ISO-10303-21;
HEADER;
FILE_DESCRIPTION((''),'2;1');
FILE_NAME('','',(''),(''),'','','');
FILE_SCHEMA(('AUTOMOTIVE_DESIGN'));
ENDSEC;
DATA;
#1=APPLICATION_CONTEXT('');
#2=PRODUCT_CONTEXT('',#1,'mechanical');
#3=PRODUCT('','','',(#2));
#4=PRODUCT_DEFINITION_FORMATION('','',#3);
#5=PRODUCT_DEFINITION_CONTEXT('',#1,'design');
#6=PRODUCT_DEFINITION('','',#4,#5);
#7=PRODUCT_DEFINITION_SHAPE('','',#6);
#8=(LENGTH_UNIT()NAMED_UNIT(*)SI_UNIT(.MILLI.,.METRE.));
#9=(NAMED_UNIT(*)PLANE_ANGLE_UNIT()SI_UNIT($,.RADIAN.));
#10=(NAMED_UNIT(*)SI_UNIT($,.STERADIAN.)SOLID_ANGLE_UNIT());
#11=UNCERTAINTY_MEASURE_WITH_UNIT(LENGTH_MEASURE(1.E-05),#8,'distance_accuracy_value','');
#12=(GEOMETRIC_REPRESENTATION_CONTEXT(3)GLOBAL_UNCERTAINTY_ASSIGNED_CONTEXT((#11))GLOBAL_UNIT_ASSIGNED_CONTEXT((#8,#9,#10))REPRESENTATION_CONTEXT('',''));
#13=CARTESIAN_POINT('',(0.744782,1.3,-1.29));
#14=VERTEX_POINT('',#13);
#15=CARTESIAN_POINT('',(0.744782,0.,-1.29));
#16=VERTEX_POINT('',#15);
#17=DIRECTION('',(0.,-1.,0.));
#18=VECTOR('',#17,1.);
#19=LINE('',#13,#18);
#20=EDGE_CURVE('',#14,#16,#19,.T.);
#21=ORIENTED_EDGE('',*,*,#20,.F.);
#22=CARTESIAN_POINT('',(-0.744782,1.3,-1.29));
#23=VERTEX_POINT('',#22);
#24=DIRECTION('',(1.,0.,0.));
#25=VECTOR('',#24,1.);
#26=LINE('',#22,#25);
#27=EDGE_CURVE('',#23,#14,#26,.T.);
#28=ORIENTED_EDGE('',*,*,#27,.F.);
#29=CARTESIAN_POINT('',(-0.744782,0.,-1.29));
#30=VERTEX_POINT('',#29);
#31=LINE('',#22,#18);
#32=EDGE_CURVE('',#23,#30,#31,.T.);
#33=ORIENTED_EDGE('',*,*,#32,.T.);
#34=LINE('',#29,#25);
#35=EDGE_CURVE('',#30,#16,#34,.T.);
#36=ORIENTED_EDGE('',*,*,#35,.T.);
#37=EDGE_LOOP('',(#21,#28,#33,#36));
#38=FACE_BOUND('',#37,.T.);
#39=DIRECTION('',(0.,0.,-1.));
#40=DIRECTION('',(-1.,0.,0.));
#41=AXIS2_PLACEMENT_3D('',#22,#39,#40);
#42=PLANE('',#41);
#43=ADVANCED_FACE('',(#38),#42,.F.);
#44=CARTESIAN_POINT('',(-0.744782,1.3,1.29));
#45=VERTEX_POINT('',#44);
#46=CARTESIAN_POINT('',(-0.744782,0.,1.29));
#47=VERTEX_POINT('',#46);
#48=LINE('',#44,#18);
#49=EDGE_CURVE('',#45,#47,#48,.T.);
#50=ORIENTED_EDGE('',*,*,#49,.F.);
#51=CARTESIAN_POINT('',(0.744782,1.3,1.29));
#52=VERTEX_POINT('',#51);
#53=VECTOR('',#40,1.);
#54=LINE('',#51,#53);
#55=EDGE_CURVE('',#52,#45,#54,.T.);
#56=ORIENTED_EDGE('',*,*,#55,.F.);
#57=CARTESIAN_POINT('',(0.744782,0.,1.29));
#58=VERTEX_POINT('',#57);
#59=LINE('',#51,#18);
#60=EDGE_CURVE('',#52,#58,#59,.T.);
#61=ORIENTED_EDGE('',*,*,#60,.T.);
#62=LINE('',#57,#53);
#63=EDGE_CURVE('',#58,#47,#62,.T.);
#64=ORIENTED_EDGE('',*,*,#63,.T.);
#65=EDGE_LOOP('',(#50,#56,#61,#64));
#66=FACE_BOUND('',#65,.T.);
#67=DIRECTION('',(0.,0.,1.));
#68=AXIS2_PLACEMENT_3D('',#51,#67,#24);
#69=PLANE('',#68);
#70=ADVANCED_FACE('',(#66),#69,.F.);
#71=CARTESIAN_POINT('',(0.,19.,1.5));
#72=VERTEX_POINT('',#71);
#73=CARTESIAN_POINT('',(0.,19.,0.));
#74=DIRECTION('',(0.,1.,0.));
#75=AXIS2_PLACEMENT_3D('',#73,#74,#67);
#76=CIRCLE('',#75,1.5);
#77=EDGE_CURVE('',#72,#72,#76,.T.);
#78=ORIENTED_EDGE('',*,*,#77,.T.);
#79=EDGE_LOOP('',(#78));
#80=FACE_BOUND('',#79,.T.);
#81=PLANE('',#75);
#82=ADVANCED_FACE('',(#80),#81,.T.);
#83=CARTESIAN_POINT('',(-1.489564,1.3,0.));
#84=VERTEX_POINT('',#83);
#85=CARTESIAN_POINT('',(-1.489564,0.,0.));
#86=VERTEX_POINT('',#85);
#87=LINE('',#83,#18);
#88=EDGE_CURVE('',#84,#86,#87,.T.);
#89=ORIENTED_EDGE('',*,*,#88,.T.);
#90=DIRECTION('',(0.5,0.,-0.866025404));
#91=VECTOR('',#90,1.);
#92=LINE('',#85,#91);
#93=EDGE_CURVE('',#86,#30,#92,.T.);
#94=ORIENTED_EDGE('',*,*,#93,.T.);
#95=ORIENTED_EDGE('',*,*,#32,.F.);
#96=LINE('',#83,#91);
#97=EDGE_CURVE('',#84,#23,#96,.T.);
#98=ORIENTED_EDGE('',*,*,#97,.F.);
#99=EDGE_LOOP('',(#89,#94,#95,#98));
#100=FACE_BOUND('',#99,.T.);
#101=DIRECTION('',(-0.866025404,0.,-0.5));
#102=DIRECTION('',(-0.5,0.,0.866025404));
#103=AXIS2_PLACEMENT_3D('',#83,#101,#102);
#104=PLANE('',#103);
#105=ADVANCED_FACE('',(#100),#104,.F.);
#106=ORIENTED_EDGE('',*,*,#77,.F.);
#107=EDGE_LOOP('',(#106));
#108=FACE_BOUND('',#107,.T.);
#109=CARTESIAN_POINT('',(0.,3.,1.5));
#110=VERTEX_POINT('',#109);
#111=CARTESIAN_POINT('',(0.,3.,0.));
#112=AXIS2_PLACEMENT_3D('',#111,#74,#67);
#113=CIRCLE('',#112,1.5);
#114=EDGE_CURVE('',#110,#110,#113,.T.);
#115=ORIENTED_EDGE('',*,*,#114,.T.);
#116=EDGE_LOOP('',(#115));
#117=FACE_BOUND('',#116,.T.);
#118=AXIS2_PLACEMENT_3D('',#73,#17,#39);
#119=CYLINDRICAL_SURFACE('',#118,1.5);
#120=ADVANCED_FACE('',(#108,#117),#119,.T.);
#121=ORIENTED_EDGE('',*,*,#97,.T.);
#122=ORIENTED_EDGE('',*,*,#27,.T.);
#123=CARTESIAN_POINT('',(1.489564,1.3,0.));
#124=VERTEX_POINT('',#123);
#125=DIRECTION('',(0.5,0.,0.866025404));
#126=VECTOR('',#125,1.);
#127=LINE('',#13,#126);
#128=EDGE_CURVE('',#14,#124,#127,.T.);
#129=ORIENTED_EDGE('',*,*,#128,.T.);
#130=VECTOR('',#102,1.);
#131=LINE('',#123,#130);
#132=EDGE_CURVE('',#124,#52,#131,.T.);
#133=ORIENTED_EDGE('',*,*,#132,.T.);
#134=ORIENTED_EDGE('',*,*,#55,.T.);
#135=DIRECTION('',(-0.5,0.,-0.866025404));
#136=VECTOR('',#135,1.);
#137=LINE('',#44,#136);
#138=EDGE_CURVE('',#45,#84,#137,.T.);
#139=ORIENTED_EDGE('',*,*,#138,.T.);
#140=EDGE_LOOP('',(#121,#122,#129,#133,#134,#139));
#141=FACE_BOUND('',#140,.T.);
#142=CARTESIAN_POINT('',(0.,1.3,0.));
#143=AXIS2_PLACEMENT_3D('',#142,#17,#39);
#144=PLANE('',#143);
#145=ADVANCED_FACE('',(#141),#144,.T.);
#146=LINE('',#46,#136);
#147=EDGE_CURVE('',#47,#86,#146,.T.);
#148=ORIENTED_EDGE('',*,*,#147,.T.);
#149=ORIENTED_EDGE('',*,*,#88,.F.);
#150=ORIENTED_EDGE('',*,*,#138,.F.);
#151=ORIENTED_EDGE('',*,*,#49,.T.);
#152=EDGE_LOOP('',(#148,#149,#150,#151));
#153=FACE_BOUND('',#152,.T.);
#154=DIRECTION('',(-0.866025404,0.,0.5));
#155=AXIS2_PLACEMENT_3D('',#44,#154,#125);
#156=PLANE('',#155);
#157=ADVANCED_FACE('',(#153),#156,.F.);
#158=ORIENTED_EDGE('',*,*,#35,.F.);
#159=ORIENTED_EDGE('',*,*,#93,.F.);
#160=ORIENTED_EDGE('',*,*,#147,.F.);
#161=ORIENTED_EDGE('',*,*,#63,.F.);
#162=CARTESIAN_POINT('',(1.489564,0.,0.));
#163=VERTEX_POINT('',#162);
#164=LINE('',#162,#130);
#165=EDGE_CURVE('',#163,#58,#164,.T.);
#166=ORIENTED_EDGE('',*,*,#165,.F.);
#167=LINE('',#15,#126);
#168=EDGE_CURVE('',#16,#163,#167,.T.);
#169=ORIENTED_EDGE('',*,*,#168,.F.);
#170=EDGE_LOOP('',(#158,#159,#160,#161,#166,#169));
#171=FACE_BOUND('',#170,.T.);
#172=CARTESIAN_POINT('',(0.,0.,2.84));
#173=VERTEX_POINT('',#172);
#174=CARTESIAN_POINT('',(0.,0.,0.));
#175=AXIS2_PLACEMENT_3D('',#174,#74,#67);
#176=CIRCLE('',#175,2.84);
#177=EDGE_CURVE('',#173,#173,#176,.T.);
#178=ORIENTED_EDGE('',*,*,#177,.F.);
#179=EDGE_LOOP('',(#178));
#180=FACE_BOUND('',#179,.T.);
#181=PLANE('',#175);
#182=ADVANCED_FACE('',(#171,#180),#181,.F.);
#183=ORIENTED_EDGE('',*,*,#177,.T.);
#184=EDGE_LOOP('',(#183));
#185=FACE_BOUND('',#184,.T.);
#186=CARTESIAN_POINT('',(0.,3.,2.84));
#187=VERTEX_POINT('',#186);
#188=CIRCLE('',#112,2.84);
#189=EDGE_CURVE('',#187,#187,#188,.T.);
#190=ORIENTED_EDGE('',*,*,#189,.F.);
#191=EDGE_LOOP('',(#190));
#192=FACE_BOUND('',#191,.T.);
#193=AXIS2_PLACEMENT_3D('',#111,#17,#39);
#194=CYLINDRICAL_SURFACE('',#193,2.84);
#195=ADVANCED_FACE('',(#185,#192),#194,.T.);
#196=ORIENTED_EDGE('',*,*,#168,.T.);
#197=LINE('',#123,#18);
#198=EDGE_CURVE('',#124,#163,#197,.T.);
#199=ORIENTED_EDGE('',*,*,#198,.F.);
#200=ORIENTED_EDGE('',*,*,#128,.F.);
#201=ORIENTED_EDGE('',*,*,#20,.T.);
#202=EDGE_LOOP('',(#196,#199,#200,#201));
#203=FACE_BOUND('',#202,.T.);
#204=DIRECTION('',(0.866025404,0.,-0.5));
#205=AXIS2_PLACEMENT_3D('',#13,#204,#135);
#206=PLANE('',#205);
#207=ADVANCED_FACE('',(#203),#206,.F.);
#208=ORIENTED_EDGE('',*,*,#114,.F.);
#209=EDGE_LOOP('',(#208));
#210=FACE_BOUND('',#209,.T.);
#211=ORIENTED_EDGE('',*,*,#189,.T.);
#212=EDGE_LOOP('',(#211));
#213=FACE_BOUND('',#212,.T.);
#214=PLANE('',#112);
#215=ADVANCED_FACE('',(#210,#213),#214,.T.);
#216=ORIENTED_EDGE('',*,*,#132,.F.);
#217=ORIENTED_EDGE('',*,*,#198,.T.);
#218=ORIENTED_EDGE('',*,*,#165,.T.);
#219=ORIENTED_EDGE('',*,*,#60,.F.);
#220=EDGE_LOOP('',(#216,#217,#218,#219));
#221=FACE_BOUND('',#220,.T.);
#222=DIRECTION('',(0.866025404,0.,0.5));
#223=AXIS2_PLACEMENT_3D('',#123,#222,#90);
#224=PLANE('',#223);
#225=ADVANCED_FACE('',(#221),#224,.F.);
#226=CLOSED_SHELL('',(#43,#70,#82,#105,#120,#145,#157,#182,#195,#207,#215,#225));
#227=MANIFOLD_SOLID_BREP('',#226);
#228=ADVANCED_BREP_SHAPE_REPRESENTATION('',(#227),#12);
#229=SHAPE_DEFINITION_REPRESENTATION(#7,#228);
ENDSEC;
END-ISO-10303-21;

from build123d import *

# Parameters (mm, degrees)
SKETCH1_R           = 2.84
BOSS_EXTRUDE1_DEPTH = 3
SKETCH2_R           = 1.5
BOSS_EXTRUDE2_DEPTH = 16
CUT_EXTRUDE1_DEPTH  = 1.3


with BuildPart() as part:
    # Sketch1 → Boss-Extrude1 (new body)
    with BuildSketch(Plane(origin=(0, 0, 0), x_dir=(1, 0, 0), z_dir=(0, 1, 0))):
        with Locations(Location((0, 0, 0), (0, 0, 270))):
            Circle(SKETCH1_R)
    extrude(amount=BOSS_EXTRUDE1_DEPTH)

    # Sketch2 → Boss-Extrude2 (add)
    with BuildSketch(Plane(origin=(0, 3, 0), x_dir=(1, 0, 0), z_dir=(0, 1, 0))):
        with Locations(Location((0, 0, 0), (0, 0, 270))):
            Circle(SKETCH2_R)
    extrude(amount=BOSS_EXTRUDE2_DEPTH)

    # Sketch3 → Cut-Extrude1 (cut)
    with BuildSketch(Plane.XZ):
        Polygon((0.744781847, 1.29), (-0.744781847, 1.29), (-1.489563695, 0), (-0.744781847, -1.29), (0.744781847, -1.29), (1.489563695, 0), align=None)
    extrude(amount=-CUT_EXTRUDE1_DEPTH, mode=Mode.SUBTRACT)


solid = part.part
